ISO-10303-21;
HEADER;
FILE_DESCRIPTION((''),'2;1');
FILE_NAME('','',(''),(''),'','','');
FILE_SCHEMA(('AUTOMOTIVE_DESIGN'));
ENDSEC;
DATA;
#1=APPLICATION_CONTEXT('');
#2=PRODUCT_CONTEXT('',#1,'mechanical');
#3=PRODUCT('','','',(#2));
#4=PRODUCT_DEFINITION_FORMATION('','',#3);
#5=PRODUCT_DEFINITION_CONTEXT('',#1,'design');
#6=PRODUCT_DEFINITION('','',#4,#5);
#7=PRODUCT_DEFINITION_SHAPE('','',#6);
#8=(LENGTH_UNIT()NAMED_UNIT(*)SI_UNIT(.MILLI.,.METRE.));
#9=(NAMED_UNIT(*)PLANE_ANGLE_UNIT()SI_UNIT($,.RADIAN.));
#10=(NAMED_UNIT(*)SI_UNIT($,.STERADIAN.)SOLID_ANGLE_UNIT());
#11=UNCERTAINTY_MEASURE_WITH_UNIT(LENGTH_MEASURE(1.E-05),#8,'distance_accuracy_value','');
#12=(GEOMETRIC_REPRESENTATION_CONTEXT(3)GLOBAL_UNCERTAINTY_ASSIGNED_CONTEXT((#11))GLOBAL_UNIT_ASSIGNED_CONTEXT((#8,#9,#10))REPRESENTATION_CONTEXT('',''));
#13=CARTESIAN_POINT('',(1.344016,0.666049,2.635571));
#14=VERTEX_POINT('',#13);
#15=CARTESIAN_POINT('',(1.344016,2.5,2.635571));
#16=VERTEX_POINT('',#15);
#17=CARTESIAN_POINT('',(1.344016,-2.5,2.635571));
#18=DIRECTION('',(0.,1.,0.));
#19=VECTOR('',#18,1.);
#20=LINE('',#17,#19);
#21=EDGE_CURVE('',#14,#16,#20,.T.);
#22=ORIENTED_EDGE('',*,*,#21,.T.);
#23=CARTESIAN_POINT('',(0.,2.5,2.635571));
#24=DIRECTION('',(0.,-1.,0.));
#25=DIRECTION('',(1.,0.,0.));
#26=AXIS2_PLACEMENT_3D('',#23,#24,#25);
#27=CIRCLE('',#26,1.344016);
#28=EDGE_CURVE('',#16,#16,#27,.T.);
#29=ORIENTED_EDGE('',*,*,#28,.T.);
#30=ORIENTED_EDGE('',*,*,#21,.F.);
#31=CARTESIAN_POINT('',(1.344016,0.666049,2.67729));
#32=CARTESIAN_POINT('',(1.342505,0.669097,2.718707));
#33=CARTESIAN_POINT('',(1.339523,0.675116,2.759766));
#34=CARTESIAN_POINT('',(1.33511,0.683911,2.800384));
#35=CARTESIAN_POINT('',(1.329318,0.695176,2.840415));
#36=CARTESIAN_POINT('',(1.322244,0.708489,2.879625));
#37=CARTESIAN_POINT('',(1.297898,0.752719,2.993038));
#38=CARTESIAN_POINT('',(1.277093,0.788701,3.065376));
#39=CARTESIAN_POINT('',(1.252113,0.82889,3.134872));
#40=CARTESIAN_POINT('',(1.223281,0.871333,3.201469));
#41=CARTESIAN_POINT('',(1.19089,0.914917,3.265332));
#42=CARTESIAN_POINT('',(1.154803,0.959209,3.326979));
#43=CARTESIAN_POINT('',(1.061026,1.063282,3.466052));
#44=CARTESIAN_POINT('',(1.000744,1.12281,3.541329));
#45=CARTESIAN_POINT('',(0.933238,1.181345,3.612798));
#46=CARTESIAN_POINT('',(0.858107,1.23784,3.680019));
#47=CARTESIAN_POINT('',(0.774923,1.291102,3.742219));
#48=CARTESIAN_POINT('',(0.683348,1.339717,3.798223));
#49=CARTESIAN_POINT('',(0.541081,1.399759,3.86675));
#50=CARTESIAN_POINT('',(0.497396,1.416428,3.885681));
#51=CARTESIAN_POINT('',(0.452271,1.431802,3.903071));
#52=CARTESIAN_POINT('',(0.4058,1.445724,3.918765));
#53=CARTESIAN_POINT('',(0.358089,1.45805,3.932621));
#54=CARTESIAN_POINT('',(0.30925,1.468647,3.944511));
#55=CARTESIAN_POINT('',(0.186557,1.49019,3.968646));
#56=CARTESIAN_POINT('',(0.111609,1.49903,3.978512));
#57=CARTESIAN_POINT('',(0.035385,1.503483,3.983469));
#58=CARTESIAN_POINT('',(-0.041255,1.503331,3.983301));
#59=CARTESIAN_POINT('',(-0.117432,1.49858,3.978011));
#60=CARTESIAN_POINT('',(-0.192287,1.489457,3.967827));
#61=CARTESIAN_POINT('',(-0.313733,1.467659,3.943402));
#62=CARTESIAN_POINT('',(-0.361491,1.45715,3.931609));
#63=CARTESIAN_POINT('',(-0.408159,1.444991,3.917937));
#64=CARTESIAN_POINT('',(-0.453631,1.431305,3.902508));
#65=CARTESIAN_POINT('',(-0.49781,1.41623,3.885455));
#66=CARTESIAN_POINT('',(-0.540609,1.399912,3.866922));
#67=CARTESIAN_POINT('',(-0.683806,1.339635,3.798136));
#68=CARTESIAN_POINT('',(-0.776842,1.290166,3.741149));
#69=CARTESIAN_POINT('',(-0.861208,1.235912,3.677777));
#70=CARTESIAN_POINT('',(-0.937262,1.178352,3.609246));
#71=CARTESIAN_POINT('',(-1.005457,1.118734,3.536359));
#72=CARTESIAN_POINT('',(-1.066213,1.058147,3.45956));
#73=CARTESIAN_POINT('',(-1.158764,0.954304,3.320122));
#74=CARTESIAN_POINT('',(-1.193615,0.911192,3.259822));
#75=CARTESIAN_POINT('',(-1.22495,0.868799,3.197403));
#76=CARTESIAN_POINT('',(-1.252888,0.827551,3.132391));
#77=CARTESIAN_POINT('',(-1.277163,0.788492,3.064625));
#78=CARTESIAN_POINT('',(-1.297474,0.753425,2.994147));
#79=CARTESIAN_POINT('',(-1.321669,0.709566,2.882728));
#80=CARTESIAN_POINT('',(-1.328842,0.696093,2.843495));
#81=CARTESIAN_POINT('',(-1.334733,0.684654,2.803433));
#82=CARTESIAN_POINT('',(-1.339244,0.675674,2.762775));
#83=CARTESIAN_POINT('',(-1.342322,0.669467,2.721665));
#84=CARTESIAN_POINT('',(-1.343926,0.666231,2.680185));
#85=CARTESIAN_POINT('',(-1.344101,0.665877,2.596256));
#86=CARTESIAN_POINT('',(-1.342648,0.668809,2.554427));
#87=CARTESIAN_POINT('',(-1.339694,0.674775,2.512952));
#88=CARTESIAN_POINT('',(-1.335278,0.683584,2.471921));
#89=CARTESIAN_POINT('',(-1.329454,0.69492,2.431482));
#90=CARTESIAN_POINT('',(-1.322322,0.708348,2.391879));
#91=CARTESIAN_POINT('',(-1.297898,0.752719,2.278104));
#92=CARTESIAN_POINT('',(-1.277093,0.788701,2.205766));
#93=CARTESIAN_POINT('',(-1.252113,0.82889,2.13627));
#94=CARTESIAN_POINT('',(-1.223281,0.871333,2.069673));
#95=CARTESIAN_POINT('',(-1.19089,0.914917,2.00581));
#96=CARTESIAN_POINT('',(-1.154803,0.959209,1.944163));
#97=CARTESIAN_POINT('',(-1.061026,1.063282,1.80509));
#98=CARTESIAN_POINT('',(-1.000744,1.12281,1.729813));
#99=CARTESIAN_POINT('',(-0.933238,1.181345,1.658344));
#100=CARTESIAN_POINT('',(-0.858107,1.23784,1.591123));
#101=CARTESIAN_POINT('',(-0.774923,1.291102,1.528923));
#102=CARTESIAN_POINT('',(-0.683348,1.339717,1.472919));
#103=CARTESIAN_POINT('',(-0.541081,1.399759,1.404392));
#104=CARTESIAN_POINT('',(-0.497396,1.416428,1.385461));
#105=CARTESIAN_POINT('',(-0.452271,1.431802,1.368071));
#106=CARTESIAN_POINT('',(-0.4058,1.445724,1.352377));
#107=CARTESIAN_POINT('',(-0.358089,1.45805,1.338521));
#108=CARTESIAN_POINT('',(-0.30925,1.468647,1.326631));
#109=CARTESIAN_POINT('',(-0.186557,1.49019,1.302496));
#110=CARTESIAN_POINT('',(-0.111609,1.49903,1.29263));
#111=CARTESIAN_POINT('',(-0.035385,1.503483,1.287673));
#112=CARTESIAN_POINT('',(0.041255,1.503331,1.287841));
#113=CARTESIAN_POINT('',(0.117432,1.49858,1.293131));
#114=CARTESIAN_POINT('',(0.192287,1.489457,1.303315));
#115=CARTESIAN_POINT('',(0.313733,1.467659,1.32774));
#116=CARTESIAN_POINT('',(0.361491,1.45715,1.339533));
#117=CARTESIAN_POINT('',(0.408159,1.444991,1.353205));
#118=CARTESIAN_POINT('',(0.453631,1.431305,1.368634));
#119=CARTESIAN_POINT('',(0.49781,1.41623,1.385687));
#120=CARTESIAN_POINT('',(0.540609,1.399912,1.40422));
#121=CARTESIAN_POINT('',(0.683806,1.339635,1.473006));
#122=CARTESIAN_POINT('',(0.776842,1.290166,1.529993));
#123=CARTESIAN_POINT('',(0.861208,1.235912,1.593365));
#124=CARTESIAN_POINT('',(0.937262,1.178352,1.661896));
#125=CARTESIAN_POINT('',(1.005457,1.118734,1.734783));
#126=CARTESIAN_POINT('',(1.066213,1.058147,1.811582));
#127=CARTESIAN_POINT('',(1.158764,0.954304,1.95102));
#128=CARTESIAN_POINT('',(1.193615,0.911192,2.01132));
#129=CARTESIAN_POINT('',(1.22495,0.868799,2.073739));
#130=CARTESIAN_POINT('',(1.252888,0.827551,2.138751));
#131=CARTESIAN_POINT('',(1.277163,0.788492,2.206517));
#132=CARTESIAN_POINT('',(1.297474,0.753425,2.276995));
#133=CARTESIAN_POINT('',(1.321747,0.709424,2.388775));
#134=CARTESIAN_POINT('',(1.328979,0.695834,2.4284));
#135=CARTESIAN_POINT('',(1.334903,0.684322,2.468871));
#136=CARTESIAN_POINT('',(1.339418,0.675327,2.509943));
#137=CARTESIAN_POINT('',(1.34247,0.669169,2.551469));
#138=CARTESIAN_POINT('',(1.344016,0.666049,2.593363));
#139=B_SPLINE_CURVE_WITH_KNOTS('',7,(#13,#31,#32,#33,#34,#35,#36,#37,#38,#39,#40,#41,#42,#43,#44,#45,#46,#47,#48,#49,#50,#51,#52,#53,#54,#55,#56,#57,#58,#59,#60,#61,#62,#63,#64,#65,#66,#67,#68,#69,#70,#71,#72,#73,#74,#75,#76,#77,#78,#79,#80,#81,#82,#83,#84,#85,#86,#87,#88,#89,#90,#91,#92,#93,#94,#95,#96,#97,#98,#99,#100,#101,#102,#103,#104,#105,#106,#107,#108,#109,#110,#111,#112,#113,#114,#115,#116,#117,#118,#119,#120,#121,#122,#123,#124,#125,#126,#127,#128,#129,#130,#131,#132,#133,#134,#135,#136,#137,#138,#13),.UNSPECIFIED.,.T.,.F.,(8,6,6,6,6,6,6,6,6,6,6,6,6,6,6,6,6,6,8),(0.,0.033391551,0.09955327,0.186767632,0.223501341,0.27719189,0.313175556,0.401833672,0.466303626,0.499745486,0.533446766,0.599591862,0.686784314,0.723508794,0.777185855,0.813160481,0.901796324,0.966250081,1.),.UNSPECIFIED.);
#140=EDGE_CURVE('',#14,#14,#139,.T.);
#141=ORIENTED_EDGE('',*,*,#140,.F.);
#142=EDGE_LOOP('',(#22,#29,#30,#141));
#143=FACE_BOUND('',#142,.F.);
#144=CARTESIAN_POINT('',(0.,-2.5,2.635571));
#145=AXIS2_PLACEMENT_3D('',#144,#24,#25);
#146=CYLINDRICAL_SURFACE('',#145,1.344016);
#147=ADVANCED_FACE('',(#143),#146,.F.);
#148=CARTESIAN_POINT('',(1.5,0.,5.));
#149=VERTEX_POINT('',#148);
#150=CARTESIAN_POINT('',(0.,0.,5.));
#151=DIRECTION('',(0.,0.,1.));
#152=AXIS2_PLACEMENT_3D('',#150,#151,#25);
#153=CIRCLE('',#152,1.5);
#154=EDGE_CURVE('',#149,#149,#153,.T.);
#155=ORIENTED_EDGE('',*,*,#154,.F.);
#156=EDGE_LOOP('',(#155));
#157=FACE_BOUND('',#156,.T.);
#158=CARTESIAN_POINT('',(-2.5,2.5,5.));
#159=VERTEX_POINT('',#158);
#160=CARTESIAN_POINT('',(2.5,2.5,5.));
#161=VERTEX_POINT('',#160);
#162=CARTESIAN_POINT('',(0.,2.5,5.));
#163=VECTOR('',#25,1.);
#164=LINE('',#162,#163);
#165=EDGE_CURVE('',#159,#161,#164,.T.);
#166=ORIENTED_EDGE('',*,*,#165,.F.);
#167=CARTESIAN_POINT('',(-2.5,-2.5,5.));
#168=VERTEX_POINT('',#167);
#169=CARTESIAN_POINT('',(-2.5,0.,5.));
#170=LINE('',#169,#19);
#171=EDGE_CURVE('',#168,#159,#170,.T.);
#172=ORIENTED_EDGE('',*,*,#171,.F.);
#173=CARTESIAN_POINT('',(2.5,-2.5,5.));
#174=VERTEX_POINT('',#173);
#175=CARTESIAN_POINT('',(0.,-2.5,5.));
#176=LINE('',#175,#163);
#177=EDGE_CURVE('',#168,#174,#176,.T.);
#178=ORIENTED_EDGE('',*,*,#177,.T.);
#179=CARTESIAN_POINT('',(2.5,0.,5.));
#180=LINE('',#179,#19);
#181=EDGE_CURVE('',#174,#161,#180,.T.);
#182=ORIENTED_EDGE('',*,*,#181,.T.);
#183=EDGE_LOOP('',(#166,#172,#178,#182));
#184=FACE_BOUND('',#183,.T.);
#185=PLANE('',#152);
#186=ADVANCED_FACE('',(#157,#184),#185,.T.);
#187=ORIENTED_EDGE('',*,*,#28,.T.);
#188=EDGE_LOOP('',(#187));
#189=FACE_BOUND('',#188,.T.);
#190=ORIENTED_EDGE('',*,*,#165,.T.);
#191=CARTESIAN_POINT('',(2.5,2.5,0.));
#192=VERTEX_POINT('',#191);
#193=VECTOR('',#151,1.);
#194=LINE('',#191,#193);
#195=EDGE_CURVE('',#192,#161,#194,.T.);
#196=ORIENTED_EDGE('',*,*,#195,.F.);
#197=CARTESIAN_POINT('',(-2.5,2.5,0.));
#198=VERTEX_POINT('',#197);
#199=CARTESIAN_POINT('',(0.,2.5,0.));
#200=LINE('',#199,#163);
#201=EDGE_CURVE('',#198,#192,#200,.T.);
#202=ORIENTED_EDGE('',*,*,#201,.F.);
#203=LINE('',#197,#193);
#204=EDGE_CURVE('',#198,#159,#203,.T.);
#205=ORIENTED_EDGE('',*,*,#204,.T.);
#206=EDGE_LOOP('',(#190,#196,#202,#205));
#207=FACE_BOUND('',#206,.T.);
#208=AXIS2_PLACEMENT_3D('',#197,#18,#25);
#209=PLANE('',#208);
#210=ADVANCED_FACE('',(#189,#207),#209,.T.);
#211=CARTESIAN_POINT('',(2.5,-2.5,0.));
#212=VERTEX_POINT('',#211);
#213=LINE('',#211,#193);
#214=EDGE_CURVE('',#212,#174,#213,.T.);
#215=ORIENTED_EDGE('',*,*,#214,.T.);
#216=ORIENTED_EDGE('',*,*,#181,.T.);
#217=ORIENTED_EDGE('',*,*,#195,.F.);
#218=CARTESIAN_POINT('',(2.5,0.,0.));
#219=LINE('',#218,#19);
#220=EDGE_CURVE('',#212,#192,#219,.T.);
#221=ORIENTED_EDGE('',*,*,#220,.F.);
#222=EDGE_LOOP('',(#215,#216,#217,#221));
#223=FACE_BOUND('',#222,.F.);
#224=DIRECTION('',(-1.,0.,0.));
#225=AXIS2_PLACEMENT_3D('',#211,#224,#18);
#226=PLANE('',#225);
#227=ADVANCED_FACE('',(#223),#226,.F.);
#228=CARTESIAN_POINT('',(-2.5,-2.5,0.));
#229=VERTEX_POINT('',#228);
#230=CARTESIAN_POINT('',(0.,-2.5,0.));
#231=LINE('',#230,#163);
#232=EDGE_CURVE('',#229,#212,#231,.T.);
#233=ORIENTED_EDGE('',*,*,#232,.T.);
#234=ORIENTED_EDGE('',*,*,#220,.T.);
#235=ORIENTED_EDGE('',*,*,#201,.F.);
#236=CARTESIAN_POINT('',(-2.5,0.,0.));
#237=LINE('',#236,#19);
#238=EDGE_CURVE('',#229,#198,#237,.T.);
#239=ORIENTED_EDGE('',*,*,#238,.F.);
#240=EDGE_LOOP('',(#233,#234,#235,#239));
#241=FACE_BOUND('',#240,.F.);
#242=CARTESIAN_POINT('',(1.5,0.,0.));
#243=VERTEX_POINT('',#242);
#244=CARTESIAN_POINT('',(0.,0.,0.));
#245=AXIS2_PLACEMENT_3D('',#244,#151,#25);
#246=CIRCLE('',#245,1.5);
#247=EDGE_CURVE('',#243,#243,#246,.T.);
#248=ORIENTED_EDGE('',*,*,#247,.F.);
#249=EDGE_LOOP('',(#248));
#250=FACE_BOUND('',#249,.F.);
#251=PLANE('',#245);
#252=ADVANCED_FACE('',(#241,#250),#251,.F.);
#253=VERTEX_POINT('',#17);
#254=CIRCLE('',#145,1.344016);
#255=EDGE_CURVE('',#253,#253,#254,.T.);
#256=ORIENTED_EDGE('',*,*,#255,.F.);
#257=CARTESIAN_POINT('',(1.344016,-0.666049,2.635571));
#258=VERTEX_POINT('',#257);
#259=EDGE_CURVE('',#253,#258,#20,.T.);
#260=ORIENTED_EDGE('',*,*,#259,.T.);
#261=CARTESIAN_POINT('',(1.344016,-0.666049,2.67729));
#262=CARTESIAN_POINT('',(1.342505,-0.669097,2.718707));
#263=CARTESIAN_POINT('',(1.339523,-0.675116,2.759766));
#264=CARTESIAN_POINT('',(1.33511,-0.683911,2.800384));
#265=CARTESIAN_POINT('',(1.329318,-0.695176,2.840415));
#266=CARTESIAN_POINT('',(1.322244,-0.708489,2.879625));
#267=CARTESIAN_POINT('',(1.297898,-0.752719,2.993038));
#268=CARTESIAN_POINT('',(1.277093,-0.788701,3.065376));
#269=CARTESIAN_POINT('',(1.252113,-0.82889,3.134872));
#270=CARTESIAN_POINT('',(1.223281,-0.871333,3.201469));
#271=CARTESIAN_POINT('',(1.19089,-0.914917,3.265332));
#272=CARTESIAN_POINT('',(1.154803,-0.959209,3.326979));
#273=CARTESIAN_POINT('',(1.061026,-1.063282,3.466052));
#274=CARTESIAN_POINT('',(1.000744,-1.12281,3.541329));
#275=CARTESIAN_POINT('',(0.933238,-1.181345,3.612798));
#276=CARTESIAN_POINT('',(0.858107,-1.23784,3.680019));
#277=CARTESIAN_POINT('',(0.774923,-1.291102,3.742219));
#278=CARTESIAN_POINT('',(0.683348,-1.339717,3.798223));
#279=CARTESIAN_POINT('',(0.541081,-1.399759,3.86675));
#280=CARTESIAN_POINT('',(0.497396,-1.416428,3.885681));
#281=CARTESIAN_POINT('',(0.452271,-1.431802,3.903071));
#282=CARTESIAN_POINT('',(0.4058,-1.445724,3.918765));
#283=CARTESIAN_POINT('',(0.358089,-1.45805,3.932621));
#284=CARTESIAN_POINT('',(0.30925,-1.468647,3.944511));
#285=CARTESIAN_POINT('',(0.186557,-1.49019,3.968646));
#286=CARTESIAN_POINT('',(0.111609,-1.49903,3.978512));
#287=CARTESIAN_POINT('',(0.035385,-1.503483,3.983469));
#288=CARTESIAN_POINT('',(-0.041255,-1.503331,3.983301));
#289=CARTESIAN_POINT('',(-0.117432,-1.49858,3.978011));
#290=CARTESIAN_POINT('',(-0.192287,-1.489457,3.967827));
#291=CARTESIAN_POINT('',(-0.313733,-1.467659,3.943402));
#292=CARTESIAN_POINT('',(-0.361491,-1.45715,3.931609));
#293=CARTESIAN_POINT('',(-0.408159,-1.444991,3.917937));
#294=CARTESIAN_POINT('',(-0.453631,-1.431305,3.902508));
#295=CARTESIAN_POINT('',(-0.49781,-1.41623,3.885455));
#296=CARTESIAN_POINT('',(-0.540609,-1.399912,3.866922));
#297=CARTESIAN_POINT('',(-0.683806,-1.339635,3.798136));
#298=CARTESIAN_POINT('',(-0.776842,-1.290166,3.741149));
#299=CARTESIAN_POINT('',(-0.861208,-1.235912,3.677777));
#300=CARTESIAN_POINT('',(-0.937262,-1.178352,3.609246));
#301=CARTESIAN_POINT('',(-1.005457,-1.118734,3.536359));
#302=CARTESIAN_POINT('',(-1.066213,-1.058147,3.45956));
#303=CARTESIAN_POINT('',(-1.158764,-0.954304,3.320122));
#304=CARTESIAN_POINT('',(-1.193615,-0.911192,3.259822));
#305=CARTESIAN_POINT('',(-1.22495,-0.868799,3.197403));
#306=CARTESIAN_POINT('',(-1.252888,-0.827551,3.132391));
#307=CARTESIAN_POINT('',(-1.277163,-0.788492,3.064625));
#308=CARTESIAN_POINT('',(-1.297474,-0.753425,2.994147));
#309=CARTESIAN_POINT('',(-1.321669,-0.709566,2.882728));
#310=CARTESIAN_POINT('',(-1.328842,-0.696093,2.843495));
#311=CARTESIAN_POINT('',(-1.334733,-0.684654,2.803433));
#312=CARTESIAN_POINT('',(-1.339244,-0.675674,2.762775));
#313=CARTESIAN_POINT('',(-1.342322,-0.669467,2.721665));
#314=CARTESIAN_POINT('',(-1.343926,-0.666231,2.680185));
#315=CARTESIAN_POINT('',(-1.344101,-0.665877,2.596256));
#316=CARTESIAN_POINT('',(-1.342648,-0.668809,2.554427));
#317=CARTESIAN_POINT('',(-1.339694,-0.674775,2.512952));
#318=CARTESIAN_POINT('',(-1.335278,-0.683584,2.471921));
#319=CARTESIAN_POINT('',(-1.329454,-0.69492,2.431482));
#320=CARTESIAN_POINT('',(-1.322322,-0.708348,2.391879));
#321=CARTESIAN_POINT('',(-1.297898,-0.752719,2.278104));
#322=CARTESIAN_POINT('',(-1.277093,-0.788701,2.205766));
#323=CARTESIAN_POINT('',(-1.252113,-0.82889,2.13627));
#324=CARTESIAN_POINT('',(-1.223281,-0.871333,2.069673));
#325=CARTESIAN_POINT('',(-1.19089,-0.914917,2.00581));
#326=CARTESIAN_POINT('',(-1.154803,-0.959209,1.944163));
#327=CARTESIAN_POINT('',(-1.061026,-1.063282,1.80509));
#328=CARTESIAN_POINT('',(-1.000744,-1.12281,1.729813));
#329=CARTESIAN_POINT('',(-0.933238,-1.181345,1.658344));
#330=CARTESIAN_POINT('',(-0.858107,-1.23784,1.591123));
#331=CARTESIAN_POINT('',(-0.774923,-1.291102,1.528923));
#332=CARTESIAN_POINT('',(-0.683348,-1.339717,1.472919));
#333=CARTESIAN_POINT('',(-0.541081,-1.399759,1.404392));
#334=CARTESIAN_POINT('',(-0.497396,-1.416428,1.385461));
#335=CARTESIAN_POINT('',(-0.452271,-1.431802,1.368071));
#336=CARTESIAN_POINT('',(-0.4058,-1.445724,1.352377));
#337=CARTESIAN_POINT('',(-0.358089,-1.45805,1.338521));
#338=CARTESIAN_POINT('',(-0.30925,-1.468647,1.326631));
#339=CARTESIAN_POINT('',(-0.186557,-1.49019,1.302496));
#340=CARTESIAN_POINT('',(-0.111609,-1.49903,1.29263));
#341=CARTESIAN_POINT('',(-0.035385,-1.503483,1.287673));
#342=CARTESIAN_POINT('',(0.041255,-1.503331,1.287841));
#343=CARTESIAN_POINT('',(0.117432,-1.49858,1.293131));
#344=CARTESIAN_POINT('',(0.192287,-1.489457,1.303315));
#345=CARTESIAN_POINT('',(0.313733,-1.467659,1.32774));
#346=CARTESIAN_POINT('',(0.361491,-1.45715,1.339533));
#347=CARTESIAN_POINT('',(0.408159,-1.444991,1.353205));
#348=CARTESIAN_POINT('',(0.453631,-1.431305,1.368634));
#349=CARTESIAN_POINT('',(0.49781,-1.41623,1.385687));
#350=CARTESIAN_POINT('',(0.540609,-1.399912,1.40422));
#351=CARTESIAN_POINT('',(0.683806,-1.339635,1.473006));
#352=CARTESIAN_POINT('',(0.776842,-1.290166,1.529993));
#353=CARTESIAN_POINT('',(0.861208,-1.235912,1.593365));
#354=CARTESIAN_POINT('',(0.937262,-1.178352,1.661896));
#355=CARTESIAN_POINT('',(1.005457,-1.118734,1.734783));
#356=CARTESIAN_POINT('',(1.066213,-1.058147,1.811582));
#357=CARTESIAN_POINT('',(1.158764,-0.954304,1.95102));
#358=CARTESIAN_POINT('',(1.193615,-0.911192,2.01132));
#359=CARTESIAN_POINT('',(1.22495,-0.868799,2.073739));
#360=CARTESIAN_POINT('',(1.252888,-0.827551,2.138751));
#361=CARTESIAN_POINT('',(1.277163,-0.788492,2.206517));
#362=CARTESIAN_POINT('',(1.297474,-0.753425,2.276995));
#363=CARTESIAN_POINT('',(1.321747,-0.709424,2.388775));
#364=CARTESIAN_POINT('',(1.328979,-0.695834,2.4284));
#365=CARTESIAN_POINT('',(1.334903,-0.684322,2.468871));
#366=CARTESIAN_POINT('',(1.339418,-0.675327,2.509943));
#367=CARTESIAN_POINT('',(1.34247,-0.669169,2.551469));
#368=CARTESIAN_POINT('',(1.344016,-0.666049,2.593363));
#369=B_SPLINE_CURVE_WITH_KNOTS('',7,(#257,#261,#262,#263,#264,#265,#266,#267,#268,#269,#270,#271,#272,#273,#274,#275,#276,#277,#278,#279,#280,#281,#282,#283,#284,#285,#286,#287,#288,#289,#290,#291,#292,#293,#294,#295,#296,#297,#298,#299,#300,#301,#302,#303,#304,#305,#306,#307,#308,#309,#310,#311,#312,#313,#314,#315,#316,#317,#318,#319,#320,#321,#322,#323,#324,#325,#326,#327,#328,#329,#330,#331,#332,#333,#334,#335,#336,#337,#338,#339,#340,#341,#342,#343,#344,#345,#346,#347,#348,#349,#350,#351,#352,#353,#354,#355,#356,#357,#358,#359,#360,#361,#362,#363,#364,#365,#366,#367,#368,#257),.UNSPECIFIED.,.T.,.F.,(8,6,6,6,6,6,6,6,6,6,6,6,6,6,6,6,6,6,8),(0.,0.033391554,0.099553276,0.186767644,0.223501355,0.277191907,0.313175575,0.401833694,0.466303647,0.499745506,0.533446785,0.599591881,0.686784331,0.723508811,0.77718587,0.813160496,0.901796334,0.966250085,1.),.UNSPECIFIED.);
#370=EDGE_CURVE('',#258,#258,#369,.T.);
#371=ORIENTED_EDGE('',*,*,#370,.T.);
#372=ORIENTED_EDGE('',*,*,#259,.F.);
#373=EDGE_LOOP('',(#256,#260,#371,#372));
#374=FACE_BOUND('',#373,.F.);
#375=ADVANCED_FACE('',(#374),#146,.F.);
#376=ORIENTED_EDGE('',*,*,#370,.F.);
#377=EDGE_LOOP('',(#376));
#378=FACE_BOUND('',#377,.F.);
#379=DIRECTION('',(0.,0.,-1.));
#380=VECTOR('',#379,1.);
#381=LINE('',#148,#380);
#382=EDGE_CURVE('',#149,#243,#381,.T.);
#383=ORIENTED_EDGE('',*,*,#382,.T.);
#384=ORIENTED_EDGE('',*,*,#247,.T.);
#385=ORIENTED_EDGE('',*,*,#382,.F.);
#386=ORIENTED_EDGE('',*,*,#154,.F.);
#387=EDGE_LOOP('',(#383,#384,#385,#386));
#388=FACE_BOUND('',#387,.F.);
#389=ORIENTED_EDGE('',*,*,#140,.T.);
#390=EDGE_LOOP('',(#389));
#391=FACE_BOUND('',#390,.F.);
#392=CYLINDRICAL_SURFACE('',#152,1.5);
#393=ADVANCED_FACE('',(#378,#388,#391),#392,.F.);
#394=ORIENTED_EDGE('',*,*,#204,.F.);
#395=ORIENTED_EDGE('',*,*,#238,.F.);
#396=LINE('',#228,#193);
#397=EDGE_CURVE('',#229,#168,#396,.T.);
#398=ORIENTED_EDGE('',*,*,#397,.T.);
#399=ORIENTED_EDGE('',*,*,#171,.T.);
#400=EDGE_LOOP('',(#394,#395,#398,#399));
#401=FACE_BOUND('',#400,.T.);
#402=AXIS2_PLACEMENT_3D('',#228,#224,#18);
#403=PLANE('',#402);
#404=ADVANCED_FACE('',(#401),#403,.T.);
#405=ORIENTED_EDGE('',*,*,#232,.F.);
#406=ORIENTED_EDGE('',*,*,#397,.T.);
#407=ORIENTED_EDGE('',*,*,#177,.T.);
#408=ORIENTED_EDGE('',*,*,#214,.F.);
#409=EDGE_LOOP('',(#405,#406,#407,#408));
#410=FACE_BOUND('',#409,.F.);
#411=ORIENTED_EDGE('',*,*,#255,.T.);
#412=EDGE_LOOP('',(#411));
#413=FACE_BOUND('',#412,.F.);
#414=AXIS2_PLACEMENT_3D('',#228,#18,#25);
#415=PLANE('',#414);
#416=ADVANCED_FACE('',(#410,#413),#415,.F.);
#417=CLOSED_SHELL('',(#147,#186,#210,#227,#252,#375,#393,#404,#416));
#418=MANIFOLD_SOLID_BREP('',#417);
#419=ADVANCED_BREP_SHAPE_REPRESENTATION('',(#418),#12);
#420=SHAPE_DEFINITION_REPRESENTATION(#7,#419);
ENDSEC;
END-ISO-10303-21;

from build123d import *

# Parameters (mm, degrees)
F0_W     = 5
F0_H     = 5
F1_DEPTH = 5
F2_R     = 1.5
F3_DEPTH = 8.0264
F5_R     = 1.344016
F6_DEPTH = 20


with BuildPart() as f1:
    # F0 (on Top) → F1 (new body)
    with BuildSketch(Plane.XY):
        Rectangle(F0_W, F0_H)
    extrude(amount=F1_DEPTH)

    # F2 (on face) → F3 (cut)
    with BuildSketch(Plane.XY.offset(5)):
        Circle(F2_R)
    extrude(amount=-F3_DEPTH, mode=Mode.SUBTRACT)

    # F5 (on face) → F6 (cut)
    with BuildSketch(Plane.XZ.offset(2.5)):
        with Locations((0, 2.635571)):
            Circle(F5_R)
    extrude(amount=-F6_DEPTH, mode=Mode.SUBTRACT)


solid = f1.part
